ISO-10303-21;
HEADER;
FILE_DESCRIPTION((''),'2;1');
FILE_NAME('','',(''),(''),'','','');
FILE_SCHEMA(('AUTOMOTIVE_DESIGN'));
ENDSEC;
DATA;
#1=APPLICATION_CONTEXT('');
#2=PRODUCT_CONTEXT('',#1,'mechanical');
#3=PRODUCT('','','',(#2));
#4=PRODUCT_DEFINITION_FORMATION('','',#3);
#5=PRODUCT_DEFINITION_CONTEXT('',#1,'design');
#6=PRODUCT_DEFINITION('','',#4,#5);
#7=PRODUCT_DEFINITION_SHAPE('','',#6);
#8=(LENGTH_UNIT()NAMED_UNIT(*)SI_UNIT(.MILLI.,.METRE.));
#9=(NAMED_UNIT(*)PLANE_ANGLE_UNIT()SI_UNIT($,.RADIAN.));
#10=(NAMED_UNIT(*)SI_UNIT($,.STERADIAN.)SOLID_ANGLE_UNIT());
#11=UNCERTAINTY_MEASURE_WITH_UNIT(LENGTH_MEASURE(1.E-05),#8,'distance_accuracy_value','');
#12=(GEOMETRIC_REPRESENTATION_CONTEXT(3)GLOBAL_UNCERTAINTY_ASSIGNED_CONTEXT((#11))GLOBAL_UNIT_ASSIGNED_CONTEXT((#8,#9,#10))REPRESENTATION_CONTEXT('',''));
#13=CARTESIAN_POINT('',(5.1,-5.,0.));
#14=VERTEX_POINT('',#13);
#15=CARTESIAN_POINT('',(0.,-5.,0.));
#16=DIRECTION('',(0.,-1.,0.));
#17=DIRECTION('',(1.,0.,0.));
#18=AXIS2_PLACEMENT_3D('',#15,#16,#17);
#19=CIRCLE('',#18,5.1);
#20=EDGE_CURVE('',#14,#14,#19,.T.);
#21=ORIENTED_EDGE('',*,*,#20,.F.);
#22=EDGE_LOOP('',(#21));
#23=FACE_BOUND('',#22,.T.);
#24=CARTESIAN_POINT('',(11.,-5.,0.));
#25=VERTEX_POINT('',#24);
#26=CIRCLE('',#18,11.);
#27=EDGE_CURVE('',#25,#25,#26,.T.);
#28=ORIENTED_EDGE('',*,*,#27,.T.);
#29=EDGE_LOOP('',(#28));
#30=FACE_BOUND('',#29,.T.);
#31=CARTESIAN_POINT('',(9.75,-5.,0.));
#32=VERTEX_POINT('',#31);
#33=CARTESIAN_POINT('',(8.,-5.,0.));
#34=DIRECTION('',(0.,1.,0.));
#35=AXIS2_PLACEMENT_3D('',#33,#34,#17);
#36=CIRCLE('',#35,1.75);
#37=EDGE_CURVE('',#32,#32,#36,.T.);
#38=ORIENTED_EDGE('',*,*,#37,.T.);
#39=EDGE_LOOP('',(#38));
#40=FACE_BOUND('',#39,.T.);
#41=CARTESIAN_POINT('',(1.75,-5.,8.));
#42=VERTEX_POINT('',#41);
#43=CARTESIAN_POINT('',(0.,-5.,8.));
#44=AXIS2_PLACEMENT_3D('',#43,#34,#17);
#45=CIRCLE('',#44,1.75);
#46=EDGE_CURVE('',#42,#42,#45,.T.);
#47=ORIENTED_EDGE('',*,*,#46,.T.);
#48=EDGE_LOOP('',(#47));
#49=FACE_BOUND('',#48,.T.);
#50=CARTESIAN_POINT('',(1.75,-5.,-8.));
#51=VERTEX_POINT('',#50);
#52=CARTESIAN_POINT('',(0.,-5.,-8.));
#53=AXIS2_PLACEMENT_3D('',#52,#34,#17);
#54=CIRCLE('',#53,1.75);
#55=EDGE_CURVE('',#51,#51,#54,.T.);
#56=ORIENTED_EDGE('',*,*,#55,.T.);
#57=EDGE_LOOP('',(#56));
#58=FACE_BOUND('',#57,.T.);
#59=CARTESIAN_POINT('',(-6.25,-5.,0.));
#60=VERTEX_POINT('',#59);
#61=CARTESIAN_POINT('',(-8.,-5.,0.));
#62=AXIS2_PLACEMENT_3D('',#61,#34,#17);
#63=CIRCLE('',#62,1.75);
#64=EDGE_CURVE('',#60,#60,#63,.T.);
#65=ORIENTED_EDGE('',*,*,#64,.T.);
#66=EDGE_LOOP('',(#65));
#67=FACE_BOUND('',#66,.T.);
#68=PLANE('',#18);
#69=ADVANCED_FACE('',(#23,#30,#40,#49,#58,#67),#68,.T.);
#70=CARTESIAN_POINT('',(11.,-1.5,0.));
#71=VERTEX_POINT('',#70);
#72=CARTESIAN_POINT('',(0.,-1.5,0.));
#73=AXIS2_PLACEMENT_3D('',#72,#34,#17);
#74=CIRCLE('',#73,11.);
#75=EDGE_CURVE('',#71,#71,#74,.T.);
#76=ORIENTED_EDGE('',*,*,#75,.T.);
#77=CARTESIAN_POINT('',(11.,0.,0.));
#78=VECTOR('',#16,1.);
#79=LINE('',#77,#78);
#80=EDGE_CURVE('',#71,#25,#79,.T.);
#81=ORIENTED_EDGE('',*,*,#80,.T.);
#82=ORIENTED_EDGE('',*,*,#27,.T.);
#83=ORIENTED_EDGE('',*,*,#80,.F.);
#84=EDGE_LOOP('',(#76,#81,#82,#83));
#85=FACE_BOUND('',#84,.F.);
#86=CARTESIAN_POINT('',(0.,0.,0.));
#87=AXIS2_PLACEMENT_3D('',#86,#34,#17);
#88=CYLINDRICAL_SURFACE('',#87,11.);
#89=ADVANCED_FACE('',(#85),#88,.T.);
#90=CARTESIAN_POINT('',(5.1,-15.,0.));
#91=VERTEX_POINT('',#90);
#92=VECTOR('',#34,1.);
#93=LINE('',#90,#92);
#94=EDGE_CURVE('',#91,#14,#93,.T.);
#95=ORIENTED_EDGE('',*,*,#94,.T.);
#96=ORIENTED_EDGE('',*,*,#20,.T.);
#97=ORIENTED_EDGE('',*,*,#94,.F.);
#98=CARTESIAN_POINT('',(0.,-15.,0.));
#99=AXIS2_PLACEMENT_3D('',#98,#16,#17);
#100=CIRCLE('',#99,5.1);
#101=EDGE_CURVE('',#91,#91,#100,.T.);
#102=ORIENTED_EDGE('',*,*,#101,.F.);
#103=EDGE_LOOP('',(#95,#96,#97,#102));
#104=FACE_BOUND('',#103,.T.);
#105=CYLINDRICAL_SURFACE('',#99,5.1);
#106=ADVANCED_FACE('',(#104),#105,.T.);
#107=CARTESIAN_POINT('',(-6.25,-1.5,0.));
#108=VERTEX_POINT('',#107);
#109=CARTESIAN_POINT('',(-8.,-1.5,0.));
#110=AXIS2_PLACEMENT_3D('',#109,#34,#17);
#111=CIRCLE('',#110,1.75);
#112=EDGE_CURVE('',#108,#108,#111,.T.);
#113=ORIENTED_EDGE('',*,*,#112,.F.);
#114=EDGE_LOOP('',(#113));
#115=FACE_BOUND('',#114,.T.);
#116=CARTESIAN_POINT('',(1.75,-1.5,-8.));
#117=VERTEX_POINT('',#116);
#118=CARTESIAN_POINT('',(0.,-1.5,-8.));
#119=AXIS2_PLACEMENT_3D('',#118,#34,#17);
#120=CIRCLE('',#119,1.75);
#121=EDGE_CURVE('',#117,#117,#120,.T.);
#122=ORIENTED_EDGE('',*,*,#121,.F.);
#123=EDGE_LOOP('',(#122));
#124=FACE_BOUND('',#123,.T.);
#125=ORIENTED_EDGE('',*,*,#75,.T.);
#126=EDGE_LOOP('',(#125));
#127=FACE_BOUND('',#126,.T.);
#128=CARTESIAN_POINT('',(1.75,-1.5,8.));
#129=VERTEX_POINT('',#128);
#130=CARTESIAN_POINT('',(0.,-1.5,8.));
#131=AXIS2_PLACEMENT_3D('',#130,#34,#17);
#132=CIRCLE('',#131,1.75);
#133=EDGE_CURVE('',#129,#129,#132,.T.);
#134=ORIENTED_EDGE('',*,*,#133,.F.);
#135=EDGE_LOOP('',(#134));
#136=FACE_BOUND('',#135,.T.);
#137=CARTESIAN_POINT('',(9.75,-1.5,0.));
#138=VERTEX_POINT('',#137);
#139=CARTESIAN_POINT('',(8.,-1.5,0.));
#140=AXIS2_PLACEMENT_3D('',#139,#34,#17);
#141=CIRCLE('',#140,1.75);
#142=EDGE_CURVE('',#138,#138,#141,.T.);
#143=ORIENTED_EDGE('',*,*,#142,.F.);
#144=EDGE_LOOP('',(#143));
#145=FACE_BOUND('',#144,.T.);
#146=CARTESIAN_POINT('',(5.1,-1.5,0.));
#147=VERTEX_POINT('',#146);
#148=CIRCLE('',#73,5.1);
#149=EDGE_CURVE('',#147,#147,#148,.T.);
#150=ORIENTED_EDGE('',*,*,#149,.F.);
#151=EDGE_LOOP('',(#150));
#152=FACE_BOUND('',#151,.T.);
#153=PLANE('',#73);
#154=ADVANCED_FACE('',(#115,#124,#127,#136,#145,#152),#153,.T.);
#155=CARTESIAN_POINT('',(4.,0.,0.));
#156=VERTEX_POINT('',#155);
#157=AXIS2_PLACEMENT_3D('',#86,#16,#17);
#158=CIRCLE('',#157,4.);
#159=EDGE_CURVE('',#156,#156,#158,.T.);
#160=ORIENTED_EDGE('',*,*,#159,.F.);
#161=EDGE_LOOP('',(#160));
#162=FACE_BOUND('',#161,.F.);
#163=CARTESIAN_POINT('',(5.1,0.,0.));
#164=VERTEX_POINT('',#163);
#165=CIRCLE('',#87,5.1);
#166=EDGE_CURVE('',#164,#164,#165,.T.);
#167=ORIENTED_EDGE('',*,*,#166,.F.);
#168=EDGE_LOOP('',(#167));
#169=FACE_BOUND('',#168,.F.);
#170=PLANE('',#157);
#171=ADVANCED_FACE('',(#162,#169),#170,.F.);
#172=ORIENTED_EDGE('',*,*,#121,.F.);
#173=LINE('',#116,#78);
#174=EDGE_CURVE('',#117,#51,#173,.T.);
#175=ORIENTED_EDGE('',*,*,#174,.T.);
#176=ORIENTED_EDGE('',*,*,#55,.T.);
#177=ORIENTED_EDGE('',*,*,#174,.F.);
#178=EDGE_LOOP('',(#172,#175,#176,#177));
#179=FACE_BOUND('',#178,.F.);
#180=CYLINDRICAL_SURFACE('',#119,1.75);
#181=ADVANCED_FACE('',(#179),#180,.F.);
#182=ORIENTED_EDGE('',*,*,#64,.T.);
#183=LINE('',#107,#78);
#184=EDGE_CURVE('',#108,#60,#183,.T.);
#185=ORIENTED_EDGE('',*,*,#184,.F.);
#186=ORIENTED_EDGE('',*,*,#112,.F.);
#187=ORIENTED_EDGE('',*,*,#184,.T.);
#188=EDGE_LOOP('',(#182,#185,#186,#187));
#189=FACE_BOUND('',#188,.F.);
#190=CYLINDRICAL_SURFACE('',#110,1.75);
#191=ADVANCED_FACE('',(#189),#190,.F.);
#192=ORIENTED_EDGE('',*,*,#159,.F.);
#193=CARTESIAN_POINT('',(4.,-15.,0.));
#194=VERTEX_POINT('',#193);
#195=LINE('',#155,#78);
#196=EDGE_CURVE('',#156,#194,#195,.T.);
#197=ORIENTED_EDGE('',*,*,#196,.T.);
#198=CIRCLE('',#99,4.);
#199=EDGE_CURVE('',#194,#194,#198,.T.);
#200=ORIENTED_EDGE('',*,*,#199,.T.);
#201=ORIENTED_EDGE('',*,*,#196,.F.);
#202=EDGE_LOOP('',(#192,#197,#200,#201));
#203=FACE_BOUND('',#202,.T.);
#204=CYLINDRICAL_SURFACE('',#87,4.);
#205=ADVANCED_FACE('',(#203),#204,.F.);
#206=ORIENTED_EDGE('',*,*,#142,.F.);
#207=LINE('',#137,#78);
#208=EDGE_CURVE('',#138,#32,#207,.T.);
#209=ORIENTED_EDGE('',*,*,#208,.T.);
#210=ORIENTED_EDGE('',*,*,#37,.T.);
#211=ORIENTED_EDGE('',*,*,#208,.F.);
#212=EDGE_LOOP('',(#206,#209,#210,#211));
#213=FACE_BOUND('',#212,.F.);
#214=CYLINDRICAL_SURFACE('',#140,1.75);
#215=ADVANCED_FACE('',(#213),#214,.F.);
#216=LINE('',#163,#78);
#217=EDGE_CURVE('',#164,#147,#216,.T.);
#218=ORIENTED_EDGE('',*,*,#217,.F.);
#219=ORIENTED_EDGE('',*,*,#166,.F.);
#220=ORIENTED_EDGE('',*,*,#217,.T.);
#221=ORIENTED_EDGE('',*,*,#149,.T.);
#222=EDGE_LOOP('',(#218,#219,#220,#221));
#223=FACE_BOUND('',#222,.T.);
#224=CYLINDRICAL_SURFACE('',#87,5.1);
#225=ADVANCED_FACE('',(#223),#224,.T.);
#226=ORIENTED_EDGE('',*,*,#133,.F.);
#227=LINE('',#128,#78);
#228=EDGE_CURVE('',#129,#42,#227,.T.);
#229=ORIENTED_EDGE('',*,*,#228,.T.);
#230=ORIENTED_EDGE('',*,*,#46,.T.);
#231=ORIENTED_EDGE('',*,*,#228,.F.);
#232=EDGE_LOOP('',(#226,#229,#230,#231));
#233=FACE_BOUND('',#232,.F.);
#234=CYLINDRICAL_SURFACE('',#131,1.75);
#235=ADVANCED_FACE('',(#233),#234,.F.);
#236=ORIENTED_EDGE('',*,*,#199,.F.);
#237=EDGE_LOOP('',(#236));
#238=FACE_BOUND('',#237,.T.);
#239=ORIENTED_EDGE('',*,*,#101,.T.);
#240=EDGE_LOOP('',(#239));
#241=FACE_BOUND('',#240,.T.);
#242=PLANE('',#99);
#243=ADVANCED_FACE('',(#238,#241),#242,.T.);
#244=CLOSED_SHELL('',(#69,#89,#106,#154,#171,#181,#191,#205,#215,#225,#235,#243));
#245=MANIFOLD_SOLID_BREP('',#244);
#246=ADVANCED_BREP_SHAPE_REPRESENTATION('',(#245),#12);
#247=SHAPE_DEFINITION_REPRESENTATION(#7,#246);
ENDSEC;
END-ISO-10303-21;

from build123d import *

# Parameters (mm, degrees)
SKETCH_R        = 11
SKETCH_R_2      = 4
PAD_DEPTH       = 15
SKETCH001_R     = 11
SKETCH001_R_2   = 5.1
POCKET_DEPTH    = 10
SKETCH002_R     = 11
SKETCH002_R_2   = 5.1
POCKET001_DEPTH = 1.5
SKETCH003_R     = 1.75
POCKET002_DEPTH = 3.5


with BuildPart() as part:
    # Sketch → Pad (new body)
    with BuildSketch(Plane.XZ):
        Circle(SKETCH_R)
        Circle(SKETCH_R_2, mode=Mode.SUBTRACT)
    extrude(amount=PAD_DEPTH)

    # Sketch001 (on Face4 of Pad) → Pocket (cut)
    with BuildSketch(Plane.XZ.offset(15)):
        Circle(SKETCH001_R)
        Circle(SKETCH001_R_2, mode=Mode.SUBTRACT)
    extrude(amount=-POCKET_DEPTH, mode=Mode.SUBTRACT)

    # Sketch002 (on Face2 of Pocket) → Pocket001 (cut)
    with BuildSketch(Plane(origin=(0, 0, 0), x_dir=(1, 0, 0), z_dir=(0, 1, 0))):
        Circle(SKETCH002_R)
        Circle(SKETCH002_R_2, mode=Mode.SUBTRACT)
    extrude(amount=-POCKET001_DEPTH, mode=Mode.SUBTRACT)

    # Sketch003 (on Face2 of Pocket001) → Pocket002 (cut)
    with BuildSketch(Plane(origin=(0, -1.5, 0), x_dir=(1, 0, 0), z_dir=(0, 1, 0))):
        with Locations((0, 8)):
            Circle(SKETCH003_R)
        with Locations((8, 0)):
            Circle(SKETCH003_R)
        with Locations((0, -8)):
            Circle(SKETCH003_R)
        with Locations((-8, 0)):
            Circle(SKETCH003_R)
    extrude(amount=-POCKET002_DEPTH, mode=Mode.SUBTRACT)


solid = part.part
